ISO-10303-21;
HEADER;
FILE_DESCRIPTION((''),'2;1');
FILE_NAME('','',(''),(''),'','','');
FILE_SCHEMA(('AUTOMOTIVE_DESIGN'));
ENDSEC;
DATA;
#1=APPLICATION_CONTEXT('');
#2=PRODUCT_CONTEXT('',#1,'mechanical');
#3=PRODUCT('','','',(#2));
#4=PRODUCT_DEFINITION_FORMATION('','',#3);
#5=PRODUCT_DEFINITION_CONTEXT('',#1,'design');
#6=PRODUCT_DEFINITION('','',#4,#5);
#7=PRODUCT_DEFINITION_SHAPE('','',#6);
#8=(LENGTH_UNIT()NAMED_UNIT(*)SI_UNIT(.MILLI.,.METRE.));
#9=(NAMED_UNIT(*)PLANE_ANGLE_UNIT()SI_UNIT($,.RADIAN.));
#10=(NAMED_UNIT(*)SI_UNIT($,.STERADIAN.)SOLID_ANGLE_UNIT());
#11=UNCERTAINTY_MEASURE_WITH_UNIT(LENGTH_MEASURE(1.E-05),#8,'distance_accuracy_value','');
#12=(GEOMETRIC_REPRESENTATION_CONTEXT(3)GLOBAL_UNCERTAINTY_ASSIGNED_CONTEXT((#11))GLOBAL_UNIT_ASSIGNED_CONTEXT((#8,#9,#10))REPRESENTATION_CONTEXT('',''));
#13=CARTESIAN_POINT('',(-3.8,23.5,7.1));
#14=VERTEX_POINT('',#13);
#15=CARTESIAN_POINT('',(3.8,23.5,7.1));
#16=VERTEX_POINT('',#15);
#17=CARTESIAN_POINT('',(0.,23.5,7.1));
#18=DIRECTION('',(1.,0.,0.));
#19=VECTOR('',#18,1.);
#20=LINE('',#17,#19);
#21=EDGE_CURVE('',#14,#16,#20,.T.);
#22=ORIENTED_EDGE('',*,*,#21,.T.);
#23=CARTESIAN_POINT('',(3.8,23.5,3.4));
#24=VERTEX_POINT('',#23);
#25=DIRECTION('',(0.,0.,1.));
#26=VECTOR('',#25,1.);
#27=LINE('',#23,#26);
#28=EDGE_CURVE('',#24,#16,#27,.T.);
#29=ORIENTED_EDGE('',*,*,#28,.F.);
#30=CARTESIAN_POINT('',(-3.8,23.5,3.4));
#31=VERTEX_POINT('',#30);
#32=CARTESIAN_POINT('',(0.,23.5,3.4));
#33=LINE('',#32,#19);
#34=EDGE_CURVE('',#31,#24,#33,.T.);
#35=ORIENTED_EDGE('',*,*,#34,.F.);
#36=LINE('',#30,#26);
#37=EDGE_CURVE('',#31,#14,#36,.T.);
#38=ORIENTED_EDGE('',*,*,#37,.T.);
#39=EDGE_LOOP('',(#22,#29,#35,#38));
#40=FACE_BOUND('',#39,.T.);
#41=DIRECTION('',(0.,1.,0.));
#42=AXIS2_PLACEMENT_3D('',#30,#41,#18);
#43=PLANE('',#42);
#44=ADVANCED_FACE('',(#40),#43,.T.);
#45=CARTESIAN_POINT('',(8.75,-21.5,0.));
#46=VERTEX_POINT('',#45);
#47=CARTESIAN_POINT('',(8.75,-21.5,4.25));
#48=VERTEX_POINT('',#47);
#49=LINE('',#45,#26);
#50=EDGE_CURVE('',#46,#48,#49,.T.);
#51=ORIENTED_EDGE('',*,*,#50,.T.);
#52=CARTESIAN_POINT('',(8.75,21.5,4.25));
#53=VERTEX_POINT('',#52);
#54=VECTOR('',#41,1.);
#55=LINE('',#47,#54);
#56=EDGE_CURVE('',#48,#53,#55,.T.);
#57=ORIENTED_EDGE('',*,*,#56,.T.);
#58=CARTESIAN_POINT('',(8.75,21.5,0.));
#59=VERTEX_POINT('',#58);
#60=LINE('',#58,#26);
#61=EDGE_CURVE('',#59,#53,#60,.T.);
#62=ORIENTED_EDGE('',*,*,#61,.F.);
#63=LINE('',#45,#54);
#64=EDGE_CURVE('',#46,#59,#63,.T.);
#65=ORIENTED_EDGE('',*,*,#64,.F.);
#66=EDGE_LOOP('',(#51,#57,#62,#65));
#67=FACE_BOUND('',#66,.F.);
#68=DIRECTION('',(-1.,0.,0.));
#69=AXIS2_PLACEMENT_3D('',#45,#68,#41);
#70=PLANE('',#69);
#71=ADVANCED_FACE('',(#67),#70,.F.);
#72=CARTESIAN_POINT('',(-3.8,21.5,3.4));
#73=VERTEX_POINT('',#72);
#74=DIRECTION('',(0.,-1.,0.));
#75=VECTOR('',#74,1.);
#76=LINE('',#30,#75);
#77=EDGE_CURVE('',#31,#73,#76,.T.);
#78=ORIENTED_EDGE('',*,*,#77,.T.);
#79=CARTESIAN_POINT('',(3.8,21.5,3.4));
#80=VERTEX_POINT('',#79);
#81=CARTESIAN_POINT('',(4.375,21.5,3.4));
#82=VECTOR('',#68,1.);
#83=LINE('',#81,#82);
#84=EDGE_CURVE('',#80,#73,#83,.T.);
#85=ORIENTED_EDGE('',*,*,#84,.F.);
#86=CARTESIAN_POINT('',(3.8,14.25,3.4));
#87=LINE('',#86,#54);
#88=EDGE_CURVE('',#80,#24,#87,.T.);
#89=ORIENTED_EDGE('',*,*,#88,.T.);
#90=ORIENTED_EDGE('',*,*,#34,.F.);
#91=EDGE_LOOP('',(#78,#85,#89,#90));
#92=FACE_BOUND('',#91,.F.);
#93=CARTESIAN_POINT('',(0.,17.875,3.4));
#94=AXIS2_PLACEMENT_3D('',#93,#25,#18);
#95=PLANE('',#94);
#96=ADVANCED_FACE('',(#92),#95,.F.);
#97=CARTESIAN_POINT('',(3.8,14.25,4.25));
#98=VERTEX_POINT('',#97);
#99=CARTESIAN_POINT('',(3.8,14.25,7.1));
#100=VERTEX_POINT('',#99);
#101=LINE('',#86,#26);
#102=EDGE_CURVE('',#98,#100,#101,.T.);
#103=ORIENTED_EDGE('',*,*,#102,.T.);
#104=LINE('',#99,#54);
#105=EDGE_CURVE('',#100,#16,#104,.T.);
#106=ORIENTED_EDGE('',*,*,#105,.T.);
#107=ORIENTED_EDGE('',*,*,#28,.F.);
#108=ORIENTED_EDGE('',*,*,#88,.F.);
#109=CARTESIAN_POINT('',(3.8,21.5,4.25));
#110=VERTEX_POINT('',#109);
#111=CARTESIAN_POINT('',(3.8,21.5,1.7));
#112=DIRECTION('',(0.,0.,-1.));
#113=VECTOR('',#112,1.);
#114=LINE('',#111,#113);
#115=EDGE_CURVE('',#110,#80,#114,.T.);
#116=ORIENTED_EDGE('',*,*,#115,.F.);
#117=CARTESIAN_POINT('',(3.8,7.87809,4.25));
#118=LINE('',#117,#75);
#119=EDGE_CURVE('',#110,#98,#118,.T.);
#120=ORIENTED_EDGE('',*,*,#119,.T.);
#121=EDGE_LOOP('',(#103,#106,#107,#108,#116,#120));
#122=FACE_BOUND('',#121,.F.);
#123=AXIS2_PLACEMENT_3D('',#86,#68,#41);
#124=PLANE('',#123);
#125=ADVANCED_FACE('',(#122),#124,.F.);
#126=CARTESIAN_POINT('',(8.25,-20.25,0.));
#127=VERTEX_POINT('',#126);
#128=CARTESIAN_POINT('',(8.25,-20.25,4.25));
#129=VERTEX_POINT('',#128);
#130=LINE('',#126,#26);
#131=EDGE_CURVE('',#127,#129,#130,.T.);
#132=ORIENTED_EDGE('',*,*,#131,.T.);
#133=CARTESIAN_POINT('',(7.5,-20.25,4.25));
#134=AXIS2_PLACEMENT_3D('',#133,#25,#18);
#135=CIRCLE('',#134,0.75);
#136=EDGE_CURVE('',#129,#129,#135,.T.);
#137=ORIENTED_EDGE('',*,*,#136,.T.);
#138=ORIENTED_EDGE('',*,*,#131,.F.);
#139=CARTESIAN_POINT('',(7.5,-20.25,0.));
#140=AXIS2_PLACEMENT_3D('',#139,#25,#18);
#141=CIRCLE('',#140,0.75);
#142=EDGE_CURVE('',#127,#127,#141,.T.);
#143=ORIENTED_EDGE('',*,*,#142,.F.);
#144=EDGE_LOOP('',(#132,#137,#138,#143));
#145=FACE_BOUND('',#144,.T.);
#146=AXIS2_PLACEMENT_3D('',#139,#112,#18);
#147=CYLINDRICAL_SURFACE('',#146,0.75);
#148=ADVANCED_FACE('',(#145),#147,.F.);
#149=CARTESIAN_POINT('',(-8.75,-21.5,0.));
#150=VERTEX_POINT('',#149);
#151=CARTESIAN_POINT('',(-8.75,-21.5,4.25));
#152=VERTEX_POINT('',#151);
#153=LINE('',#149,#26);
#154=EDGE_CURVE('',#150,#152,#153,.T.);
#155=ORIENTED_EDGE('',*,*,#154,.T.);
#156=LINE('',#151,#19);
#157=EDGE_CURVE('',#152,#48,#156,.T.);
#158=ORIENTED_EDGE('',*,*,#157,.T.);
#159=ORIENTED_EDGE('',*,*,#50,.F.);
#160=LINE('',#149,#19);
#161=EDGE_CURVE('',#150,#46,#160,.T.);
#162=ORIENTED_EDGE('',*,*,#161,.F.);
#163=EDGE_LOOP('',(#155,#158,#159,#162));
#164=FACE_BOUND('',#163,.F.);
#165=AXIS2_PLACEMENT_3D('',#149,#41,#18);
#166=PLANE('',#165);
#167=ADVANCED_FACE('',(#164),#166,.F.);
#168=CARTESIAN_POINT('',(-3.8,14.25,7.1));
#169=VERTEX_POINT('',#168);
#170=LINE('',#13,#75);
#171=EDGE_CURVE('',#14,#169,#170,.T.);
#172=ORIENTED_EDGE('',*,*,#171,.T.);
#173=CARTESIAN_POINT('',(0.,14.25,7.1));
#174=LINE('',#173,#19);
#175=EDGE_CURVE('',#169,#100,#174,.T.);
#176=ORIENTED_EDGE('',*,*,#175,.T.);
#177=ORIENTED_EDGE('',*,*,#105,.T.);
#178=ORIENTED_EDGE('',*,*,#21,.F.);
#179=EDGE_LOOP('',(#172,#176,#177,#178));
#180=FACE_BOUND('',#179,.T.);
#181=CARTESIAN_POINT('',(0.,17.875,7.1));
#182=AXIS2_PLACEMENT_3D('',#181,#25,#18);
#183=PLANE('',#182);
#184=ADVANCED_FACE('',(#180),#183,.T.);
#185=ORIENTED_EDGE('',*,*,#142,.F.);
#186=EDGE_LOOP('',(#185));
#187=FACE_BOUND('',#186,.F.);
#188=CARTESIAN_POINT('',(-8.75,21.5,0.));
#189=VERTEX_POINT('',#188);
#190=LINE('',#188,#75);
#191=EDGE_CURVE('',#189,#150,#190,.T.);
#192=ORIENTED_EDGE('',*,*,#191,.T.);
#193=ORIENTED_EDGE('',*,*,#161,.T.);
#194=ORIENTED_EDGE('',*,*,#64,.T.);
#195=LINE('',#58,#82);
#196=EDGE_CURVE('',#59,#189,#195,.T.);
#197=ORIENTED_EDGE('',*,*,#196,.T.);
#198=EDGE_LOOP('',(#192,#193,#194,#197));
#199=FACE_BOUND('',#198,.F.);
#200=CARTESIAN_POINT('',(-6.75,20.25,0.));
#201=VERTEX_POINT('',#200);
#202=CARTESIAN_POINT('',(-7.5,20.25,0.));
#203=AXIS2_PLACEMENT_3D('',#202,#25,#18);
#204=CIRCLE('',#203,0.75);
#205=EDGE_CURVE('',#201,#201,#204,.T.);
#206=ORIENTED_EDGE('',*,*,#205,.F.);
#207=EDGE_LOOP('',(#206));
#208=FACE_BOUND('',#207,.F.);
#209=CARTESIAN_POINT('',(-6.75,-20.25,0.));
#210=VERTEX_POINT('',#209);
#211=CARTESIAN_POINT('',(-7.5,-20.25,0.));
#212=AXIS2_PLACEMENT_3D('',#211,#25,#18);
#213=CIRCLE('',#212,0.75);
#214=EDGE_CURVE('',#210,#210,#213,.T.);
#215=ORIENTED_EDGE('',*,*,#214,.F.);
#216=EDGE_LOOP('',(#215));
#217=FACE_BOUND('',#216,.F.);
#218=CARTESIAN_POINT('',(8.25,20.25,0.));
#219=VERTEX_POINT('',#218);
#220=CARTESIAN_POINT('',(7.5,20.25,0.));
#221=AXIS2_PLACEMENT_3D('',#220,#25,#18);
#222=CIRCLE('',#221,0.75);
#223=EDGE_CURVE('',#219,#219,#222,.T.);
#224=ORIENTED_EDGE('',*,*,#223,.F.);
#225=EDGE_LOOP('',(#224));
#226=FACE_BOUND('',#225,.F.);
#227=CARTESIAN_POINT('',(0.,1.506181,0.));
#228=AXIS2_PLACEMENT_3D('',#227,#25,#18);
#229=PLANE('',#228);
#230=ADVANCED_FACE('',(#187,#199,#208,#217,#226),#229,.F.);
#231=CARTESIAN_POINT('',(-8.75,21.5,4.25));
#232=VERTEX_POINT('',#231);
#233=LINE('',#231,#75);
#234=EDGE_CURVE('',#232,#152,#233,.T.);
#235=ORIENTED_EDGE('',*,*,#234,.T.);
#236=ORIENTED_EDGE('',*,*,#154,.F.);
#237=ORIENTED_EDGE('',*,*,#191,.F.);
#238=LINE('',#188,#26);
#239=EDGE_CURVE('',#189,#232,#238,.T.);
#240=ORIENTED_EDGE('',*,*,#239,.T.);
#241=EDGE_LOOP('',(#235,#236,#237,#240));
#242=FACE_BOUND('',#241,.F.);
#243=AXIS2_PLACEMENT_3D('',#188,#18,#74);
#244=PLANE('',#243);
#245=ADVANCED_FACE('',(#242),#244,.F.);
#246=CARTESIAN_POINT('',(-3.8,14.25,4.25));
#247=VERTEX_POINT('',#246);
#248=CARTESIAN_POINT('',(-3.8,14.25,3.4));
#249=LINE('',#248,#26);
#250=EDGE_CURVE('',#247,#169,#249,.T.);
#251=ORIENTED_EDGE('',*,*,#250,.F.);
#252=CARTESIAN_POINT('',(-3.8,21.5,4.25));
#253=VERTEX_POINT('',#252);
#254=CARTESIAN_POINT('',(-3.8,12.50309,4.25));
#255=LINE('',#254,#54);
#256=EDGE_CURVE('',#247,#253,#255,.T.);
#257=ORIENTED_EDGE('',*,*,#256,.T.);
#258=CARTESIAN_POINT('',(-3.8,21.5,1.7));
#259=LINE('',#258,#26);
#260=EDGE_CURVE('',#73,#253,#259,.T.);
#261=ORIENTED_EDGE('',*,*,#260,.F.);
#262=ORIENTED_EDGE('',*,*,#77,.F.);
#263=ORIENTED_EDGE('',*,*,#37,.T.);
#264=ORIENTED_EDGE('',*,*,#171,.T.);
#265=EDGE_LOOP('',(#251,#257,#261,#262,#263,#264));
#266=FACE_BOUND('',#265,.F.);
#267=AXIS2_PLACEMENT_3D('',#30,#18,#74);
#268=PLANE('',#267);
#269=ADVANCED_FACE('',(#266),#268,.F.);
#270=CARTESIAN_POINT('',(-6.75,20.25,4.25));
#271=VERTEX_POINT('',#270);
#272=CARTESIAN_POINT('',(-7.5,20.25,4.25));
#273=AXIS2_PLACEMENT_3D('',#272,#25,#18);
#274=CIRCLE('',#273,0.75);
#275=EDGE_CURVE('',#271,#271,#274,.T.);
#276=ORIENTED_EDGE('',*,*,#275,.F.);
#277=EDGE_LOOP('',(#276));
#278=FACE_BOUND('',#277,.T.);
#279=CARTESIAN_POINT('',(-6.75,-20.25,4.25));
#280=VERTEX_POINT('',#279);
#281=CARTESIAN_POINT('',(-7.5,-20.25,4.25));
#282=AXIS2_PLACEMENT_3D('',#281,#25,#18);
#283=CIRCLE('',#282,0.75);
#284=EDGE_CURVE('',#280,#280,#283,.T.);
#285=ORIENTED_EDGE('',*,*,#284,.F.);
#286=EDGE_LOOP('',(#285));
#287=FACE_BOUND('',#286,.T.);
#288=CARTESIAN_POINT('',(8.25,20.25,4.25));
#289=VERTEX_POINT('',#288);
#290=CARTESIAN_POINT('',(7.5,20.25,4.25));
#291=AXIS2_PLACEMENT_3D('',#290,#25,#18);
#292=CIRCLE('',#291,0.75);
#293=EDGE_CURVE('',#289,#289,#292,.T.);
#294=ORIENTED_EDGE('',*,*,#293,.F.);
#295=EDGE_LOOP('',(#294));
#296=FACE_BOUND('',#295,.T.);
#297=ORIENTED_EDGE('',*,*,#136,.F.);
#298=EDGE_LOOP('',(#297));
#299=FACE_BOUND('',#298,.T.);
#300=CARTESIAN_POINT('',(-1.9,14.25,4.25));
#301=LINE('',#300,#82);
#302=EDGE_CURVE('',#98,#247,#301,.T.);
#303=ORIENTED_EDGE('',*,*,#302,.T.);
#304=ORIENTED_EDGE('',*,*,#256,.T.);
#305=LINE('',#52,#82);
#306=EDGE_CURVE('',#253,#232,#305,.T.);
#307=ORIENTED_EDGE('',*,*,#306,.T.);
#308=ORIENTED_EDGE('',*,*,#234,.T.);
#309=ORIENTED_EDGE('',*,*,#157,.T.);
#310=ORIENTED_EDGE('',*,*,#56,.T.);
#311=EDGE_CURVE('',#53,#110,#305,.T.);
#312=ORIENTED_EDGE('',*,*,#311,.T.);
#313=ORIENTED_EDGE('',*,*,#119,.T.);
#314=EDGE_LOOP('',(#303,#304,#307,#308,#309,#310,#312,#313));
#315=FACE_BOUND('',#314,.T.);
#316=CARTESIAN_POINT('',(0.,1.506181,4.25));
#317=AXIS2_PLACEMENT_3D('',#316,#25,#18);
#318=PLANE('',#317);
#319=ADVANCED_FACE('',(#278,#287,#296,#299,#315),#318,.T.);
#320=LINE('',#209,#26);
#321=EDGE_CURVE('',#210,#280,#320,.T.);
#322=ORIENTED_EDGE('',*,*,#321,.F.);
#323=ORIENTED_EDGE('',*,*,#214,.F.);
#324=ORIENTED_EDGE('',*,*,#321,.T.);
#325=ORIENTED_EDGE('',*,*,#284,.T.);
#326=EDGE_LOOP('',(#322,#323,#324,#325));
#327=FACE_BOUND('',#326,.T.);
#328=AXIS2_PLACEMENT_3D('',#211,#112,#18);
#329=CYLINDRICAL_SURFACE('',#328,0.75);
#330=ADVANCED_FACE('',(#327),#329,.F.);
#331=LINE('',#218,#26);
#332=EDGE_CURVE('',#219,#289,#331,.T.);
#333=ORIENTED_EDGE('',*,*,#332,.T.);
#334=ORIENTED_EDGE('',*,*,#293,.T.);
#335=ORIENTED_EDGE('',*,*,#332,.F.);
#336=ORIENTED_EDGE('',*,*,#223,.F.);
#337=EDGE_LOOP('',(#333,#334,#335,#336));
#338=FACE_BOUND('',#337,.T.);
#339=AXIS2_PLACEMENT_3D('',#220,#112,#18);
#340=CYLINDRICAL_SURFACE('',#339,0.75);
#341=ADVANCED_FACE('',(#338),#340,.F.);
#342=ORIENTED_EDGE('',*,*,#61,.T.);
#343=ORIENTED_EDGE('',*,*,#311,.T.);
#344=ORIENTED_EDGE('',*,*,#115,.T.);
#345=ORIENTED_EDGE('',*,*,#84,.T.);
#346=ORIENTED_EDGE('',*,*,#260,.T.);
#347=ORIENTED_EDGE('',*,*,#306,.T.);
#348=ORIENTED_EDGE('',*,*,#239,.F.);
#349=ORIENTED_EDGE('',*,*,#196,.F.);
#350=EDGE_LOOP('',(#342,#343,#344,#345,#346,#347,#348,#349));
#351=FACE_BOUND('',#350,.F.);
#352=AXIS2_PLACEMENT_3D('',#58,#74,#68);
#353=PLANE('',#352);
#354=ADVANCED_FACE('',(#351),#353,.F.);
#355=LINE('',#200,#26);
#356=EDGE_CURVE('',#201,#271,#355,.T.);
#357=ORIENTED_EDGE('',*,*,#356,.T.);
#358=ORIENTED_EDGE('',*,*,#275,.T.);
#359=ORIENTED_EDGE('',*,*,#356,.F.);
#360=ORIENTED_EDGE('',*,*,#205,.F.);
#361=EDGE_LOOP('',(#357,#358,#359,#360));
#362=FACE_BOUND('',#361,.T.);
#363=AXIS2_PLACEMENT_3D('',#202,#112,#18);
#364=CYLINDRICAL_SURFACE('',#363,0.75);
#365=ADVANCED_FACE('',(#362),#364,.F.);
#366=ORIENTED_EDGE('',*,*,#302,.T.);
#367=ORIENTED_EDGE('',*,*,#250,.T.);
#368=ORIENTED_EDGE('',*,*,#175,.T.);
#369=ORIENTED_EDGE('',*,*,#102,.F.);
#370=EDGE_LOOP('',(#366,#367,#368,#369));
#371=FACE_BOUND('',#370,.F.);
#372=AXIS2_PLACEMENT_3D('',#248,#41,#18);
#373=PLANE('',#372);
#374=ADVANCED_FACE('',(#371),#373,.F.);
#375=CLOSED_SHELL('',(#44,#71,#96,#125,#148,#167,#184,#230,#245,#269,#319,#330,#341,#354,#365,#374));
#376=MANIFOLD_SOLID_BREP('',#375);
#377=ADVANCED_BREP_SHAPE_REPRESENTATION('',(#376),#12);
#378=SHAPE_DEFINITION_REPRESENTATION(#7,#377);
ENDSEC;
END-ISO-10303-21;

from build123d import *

# Parameters (mm, degrees)
F0_R     = 0.75
F0_W     = 7.6
F0_H     = 7.25
F1_DEPTH = 4.25
F2_START = 3.4
F0_H_2   = 2
F2_DEPTH = 3.7


with BuildPart() as f1:
    # F0 (on Top) → F1 (new body)
    with BuildSketch(Plane.XY):
        Polygon((-3.8, 21.5), (-8.75, 21.5), (-8.75, -21.5), (8.75, -21.5), (8.75, 21.5), (3.8, 21.5), (3.8, 14.25), (-3.8, 14.25), align=None)
        with Locations((-7.5, -20.25)):
            Circle(F0_R, mode=Mode.SUBTRACT)
        with Locations((7.5, -20.25)):
            Circle(F0_R, mode=Mode.SUBTRACT)
        with Locations((-7.5, 20.25)):
            Circle(F0_R, mode=Mode.SUBTRACT)
        with Locations((7.5, 20.25)):
            Circle(F0_R, mode=Mode.SUBTRACT)
        with Locations((0, 17.875)):
            Rectangle(F0_W, F0_H)
    extrude(amount=F1_DEPTH)

    # F0 (on Top) → F2 (join)
    with BuildSketch(Plane.XY.offset(F2_START)):
        with Locations((0, 17.875)):
            Rectangle(F0_W, F0_H)
        with Locations((0, 22.5)):
            Rectangle(F0_W, F0_H_2)
    extrude(amount=F2_DEPTH)


solid = f1.part
